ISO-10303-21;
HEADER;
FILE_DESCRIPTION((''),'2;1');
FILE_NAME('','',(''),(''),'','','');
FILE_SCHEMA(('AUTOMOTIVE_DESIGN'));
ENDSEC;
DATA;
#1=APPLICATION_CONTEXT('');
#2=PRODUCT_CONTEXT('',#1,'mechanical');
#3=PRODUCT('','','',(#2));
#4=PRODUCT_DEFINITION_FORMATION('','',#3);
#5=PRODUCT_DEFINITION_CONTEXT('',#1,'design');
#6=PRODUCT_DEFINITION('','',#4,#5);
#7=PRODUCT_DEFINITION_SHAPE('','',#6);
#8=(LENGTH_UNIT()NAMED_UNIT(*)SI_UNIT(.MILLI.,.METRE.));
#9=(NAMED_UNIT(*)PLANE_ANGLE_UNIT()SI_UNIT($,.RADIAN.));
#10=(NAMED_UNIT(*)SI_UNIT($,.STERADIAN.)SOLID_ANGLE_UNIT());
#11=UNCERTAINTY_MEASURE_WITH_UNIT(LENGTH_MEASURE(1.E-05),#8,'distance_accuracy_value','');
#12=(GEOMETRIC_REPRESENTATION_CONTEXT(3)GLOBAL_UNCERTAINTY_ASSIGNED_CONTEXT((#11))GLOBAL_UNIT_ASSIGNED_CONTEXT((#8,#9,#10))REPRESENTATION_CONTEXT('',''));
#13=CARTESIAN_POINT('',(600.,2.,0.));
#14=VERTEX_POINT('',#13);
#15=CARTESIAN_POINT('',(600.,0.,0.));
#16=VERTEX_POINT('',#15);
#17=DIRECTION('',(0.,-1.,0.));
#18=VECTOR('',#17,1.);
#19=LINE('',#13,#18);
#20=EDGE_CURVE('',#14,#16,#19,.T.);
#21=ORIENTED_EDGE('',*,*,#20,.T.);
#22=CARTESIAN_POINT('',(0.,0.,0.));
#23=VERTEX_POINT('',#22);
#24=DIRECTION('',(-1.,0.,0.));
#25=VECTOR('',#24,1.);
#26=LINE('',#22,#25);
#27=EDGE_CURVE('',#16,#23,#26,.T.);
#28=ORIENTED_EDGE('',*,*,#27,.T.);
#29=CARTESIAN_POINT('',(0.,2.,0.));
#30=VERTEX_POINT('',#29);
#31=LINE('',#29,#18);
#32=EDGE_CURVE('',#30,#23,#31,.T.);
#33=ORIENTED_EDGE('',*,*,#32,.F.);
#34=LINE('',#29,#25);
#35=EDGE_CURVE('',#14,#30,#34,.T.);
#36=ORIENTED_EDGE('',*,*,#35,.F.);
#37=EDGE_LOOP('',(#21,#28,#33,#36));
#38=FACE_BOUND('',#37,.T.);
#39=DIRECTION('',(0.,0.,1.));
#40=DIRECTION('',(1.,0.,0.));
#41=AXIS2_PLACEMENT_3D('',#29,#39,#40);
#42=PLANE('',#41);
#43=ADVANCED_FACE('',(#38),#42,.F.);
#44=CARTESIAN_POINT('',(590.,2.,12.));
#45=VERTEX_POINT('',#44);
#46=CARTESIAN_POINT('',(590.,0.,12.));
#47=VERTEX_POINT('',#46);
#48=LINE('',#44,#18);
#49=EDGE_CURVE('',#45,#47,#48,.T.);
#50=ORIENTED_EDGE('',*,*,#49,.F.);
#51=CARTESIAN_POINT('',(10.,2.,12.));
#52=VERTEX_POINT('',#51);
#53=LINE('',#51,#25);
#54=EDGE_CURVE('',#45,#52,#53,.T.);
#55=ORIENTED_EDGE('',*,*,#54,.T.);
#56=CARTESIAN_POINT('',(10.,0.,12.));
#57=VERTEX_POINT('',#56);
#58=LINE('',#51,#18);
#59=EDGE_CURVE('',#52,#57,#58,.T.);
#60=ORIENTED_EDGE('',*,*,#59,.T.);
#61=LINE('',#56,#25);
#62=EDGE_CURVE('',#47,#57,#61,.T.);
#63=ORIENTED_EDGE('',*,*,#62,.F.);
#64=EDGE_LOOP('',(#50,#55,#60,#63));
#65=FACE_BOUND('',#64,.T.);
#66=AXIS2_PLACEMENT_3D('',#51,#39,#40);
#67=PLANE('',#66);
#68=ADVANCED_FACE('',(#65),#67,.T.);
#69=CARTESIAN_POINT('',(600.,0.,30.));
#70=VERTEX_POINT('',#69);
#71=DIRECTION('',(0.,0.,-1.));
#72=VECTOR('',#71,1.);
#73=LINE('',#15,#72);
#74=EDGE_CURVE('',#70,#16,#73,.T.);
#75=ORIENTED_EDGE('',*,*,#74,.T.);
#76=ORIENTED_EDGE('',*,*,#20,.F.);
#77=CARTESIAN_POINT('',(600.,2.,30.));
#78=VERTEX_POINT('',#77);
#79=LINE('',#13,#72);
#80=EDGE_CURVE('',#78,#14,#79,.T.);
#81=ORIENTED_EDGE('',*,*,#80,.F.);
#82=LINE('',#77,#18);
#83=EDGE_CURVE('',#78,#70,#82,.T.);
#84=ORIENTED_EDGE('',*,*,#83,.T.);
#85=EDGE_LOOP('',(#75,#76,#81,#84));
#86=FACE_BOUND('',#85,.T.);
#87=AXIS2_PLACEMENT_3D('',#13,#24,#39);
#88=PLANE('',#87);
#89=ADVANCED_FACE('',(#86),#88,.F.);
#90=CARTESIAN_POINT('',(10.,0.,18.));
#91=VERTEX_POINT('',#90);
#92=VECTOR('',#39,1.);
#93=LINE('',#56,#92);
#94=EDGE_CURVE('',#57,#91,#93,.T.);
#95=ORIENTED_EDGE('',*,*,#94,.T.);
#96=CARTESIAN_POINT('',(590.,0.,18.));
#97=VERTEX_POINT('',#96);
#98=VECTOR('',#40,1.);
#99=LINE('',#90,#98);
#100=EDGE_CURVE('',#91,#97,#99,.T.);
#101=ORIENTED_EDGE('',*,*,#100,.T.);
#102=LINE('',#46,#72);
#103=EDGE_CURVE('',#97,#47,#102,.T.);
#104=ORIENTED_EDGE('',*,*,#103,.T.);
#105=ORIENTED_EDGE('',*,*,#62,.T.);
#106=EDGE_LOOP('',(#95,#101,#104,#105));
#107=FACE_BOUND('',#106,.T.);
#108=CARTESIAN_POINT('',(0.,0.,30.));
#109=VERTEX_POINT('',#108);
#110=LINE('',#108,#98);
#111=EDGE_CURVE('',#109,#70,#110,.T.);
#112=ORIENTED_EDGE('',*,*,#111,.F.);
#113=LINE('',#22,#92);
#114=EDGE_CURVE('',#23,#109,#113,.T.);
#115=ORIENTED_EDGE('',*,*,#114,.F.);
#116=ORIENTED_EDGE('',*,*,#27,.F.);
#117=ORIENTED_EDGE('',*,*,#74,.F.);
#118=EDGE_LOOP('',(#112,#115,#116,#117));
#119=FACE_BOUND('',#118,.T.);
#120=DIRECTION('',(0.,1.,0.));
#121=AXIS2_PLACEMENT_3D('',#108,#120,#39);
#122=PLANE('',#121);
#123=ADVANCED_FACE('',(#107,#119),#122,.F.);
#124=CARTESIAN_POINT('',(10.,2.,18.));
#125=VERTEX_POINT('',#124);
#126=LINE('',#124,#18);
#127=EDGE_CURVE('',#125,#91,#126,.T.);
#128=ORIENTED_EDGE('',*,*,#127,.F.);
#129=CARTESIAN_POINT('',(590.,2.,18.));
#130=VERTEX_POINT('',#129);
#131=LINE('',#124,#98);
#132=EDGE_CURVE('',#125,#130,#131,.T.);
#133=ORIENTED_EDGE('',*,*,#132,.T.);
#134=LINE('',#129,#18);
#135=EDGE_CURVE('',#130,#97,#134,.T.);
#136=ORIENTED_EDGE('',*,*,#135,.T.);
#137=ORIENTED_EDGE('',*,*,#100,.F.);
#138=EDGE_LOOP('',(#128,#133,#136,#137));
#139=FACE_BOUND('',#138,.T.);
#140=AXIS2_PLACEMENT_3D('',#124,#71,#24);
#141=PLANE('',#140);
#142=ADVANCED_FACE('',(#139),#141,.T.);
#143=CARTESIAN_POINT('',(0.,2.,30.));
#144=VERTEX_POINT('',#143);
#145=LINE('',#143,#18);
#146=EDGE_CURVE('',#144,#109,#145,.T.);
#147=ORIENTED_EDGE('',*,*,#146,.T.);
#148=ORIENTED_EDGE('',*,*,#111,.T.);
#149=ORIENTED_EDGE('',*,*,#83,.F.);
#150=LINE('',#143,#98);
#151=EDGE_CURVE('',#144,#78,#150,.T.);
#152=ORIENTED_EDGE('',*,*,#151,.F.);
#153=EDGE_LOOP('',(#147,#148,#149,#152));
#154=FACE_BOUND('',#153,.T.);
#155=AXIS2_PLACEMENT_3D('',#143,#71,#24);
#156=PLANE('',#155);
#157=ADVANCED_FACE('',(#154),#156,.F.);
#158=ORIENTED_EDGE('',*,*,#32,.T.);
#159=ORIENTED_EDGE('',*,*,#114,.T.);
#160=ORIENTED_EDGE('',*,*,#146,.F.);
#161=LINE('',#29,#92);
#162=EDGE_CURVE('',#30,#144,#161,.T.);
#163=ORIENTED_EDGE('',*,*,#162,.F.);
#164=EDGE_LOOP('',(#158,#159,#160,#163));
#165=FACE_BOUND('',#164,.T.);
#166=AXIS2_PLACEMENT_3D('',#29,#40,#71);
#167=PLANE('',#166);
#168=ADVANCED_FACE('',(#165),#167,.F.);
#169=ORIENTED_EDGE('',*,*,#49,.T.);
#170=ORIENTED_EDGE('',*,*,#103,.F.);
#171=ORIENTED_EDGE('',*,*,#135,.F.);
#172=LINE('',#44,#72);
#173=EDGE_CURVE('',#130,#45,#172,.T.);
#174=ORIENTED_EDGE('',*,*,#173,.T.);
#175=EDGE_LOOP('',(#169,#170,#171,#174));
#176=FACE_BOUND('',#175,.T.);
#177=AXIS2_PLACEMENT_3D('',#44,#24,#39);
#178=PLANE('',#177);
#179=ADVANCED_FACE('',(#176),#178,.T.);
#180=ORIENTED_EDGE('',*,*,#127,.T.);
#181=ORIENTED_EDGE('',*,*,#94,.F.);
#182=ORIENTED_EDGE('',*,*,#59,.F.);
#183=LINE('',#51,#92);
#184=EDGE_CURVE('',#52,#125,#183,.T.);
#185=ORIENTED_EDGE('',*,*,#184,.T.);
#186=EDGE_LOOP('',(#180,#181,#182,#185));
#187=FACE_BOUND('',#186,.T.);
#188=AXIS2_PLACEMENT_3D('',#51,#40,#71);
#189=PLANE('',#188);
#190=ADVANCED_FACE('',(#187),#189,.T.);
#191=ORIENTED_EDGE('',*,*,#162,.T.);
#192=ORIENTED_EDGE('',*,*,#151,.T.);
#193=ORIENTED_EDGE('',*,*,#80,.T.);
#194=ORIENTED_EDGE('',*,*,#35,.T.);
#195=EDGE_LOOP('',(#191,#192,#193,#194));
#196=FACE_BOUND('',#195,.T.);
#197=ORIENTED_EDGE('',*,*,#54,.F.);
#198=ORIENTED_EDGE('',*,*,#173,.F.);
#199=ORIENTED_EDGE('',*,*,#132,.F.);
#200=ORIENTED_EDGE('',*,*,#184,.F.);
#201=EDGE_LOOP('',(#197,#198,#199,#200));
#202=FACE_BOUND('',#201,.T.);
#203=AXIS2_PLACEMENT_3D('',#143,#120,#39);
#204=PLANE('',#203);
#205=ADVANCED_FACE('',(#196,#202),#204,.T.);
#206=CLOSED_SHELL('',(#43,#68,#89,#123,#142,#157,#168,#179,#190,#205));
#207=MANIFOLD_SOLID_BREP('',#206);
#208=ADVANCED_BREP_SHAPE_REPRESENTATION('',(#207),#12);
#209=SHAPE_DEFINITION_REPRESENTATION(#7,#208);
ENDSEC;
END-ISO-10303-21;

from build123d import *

# Parameters (mm, degrees)
SKETCH1_W           = 600
SKETCH1_H           = 30
SKETCH1_W_2         = 580
SKETCH1_H_2         = 6
BOSS_EXTRUDE1_DEPTH = 2


with BuildPart() as part:
    # Sketch1 → Boss-Extrude1 (new body)
    with BuildSketch(Plane(origin=(0, 0, 0), x_dir=(1, 0, 0), z_dir=(0, 1, 0))):
        with Locations((300, -15)):
            Rectangle(SKETCH1_W, SKETCH1_H)
        with Locations((300, -15)):
            Rectangle(SKETCH1_W_2, SKETCH1_H_2, mode=Mode.SUBTRACT)
    extrude(amount=BOSS_EXTRUDE1_DEPTH)


solid = part.part
